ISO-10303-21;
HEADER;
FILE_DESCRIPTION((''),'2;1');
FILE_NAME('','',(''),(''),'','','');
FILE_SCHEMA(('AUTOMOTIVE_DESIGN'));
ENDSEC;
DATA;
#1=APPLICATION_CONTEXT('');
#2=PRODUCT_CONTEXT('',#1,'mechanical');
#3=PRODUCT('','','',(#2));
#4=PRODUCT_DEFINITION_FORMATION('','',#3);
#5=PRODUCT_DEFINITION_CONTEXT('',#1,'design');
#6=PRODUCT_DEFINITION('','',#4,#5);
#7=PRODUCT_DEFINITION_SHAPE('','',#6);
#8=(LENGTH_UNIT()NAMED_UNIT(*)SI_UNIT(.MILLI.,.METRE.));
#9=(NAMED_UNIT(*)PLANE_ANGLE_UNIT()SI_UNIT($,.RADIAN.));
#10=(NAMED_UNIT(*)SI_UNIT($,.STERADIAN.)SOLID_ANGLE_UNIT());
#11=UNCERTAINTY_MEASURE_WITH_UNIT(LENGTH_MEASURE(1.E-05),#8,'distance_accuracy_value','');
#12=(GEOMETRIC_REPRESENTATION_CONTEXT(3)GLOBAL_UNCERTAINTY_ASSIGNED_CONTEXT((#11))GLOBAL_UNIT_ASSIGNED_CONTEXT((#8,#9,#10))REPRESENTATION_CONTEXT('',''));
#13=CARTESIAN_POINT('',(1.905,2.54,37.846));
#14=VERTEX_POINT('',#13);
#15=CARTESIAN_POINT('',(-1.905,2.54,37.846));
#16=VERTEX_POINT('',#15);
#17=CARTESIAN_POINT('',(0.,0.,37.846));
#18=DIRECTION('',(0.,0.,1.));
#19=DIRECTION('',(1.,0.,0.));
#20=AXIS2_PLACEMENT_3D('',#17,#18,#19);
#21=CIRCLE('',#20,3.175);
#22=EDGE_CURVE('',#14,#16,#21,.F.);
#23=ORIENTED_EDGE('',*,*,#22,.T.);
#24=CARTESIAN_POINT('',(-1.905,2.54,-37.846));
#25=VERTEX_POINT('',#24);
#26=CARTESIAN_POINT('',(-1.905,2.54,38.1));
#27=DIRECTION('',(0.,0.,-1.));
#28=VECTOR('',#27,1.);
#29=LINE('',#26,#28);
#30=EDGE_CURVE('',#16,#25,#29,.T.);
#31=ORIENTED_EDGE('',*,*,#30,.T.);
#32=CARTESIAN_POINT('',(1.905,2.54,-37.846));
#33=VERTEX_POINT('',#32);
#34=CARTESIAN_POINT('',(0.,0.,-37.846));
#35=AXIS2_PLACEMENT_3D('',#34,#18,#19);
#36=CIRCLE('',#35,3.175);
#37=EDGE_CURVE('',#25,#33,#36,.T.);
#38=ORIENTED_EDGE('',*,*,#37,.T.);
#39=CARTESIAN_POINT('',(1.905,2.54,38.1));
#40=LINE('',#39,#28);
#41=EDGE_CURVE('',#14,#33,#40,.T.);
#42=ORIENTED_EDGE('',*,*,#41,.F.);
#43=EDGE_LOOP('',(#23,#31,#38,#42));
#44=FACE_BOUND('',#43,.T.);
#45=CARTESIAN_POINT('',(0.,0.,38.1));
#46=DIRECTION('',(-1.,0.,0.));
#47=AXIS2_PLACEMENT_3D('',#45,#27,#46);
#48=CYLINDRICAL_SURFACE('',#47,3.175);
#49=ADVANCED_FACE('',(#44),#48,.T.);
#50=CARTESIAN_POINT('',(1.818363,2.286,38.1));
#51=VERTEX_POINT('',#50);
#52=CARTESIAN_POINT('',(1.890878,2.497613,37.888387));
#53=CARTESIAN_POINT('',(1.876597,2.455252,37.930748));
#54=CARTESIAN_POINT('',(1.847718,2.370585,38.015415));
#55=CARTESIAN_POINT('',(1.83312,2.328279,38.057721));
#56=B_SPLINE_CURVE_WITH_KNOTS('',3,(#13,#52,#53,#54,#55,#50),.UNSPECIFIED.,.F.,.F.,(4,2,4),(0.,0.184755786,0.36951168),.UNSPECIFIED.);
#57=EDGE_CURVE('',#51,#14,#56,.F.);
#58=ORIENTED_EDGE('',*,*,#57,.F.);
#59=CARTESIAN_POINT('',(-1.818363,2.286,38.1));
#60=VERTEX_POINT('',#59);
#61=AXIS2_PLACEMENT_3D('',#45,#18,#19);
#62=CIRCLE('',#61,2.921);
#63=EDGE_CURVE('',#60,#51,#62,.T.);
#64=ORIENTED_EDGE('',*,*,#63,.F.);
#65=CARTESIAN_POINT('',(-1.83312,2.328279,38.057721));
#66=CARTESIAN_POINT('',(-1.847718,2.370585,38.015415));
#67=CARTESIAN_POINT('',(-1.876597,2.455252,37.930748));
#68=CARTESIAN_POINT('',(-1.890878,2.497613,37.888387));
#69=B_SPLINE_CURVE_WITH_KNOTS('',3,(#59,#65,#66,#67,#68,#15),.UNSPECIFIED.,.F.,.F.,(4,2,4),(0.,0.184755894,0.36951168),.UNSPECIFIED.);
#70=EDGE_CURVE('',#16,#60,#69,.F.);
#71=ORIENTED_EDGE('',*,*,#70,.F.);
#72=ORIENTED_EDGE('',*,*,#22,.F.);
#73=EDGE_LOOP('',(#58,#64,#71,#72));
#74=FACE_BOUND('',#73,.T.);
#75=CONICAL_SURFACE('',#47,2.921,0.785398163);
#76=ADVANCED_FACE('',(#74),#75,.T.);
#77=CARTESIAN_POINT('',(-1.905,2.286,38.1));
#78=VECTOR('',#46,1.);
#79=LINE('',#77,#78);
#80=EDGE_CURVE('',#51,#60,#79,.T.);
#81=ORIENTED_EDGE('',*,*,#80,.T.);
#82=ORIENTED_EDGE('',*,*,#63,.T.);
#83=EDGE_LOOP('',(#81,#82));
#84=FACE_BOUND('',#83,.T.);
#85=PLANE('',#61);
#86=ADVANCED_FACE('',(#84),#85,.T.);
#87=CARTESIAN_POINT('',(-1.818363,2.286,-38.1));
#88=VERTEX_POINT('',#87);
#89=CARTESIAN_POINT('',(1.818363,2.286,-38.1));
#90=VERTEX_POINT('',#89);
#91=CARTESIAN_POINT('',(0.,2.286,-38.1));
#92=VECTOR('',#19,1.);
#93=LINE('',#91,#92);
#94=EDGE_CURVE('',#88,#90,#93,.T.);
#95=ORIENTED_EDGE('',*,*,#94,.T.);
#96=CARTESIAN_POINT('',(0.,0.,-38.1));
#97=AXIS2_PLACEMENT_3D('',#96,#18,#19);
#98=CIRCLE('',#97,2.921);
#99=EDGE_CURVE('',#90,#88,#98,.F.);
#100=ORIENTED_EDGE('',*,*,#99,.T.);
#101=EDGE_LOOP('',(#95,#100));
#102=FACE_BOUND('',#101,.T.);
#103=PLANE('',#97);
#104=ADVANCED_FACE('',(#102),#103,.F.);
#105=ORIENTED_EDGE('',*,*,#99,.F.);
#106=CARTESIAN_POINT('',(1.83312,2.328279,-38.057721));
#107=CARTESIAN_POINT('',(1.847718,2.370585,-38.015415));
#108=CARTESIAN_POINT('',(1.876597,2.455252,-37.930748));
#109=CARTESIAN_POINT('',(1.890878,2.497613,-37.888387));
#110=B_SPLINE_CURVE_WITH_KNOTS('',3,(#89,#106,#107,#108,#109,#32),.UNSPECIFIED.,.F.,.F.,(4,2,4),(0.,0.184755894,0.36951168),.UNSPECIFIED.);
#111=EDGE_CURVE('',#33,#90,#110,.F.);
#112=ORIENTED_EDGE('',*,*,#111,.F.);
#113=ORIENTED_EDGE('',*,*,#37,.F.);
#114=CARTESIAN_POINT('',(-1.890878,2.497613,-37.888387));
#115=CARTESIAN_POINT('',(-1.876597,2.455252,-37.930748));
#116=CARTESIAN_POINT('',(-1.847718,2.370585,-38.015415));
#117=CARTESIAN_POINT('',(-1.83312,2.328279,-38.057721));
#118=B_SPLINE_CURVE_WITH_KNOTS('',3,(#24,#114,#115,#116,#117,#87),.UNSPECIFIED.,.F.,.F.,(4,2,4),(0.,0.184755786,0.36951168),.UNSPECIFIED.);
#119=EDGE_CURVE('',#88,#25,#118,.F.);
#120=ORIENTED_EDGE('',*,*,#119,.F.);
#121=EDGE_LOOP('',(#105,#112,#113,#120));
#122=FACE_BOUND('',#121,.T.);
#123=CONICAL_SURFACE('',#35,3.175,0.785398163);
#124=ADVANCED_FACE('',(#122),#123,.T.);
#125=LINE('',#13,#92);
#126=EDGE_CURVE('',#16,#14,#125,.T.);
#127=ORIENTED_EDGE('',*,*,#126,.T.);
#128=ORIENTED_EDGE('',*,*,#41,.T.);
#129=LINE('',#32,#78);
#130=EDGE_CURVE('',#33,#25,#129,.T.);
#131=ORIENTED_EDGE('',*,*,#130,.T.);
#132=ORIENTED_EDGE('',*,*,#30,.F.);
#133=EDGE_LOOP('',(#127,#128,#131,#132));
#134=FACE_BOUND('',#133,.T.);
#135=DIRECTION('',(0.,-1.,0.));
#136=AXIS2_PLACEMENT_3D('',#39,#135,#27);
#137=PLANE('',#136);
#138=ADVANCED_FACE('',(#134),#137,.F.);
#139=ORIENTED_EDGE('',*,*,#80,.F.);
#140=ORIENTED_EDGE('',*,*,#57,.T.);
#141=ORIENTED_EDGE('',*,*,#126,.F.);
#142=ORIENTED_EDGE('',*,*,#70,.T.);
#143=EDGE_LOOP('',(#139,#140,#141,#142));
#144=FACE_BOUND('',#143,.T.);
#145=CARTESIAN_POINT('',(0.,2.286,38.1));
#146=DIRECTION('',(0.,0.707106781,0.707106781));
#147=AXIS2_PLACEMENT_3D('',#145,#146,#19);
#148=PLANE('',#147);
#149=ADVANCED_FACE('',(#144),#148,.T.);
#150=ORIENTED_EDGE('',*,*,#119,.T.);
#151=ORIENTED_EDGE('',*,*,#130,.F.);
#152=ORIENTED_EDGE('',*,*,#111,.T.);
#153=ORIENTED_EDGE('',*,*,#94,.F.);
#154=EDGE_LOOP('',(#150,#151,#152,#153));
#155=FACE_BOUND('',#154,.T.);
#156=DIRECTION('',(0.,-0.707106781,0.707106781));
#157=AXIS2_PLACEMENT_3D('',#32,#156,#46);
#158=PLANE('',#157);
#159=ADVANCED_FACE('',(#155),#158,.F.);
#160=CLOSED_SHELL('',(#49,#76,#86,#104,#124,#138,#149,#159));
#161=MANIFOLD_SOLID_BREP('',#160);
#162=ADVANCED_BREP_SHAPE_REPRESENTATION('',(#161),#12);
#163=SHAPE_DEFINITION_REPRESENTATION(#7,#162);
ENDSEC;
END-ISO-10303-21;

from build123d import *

# Parameters (mm, degrees)
BOSS_EXTRUDE1_DEPTH = 38.1
CHAMFER1_SIZE       = 0.254


with BuildPart() as part:
    # Sketch1 → Boss-Extrude1 (new body, symmetric)
    with BuildSketch(Plane.XY):
        with BuildLine():
            Line((1.905, 2.54), (-1.905, 2.54))
            ThreePointArc((-1.905, 2.54), (0, -3.175), (1.905, 2.54))
        make_face()
    extrude(amount=BOSS_EXTRUDE1_DEPTH, both=True)

    # Chamfer1
    chamfer1_edges = [part.edges().sort_by_distance(p)[0] for p in [
        (0, 2.54, -38.1),
        (0, -3.175, -38.1),
        (0, -3.175, 38.1),
        (0, 2.54, 38.1),
    ]]
    chamfer(chamfer1_edges, length=CHAMFER1_SIZE)


solid = part.part
